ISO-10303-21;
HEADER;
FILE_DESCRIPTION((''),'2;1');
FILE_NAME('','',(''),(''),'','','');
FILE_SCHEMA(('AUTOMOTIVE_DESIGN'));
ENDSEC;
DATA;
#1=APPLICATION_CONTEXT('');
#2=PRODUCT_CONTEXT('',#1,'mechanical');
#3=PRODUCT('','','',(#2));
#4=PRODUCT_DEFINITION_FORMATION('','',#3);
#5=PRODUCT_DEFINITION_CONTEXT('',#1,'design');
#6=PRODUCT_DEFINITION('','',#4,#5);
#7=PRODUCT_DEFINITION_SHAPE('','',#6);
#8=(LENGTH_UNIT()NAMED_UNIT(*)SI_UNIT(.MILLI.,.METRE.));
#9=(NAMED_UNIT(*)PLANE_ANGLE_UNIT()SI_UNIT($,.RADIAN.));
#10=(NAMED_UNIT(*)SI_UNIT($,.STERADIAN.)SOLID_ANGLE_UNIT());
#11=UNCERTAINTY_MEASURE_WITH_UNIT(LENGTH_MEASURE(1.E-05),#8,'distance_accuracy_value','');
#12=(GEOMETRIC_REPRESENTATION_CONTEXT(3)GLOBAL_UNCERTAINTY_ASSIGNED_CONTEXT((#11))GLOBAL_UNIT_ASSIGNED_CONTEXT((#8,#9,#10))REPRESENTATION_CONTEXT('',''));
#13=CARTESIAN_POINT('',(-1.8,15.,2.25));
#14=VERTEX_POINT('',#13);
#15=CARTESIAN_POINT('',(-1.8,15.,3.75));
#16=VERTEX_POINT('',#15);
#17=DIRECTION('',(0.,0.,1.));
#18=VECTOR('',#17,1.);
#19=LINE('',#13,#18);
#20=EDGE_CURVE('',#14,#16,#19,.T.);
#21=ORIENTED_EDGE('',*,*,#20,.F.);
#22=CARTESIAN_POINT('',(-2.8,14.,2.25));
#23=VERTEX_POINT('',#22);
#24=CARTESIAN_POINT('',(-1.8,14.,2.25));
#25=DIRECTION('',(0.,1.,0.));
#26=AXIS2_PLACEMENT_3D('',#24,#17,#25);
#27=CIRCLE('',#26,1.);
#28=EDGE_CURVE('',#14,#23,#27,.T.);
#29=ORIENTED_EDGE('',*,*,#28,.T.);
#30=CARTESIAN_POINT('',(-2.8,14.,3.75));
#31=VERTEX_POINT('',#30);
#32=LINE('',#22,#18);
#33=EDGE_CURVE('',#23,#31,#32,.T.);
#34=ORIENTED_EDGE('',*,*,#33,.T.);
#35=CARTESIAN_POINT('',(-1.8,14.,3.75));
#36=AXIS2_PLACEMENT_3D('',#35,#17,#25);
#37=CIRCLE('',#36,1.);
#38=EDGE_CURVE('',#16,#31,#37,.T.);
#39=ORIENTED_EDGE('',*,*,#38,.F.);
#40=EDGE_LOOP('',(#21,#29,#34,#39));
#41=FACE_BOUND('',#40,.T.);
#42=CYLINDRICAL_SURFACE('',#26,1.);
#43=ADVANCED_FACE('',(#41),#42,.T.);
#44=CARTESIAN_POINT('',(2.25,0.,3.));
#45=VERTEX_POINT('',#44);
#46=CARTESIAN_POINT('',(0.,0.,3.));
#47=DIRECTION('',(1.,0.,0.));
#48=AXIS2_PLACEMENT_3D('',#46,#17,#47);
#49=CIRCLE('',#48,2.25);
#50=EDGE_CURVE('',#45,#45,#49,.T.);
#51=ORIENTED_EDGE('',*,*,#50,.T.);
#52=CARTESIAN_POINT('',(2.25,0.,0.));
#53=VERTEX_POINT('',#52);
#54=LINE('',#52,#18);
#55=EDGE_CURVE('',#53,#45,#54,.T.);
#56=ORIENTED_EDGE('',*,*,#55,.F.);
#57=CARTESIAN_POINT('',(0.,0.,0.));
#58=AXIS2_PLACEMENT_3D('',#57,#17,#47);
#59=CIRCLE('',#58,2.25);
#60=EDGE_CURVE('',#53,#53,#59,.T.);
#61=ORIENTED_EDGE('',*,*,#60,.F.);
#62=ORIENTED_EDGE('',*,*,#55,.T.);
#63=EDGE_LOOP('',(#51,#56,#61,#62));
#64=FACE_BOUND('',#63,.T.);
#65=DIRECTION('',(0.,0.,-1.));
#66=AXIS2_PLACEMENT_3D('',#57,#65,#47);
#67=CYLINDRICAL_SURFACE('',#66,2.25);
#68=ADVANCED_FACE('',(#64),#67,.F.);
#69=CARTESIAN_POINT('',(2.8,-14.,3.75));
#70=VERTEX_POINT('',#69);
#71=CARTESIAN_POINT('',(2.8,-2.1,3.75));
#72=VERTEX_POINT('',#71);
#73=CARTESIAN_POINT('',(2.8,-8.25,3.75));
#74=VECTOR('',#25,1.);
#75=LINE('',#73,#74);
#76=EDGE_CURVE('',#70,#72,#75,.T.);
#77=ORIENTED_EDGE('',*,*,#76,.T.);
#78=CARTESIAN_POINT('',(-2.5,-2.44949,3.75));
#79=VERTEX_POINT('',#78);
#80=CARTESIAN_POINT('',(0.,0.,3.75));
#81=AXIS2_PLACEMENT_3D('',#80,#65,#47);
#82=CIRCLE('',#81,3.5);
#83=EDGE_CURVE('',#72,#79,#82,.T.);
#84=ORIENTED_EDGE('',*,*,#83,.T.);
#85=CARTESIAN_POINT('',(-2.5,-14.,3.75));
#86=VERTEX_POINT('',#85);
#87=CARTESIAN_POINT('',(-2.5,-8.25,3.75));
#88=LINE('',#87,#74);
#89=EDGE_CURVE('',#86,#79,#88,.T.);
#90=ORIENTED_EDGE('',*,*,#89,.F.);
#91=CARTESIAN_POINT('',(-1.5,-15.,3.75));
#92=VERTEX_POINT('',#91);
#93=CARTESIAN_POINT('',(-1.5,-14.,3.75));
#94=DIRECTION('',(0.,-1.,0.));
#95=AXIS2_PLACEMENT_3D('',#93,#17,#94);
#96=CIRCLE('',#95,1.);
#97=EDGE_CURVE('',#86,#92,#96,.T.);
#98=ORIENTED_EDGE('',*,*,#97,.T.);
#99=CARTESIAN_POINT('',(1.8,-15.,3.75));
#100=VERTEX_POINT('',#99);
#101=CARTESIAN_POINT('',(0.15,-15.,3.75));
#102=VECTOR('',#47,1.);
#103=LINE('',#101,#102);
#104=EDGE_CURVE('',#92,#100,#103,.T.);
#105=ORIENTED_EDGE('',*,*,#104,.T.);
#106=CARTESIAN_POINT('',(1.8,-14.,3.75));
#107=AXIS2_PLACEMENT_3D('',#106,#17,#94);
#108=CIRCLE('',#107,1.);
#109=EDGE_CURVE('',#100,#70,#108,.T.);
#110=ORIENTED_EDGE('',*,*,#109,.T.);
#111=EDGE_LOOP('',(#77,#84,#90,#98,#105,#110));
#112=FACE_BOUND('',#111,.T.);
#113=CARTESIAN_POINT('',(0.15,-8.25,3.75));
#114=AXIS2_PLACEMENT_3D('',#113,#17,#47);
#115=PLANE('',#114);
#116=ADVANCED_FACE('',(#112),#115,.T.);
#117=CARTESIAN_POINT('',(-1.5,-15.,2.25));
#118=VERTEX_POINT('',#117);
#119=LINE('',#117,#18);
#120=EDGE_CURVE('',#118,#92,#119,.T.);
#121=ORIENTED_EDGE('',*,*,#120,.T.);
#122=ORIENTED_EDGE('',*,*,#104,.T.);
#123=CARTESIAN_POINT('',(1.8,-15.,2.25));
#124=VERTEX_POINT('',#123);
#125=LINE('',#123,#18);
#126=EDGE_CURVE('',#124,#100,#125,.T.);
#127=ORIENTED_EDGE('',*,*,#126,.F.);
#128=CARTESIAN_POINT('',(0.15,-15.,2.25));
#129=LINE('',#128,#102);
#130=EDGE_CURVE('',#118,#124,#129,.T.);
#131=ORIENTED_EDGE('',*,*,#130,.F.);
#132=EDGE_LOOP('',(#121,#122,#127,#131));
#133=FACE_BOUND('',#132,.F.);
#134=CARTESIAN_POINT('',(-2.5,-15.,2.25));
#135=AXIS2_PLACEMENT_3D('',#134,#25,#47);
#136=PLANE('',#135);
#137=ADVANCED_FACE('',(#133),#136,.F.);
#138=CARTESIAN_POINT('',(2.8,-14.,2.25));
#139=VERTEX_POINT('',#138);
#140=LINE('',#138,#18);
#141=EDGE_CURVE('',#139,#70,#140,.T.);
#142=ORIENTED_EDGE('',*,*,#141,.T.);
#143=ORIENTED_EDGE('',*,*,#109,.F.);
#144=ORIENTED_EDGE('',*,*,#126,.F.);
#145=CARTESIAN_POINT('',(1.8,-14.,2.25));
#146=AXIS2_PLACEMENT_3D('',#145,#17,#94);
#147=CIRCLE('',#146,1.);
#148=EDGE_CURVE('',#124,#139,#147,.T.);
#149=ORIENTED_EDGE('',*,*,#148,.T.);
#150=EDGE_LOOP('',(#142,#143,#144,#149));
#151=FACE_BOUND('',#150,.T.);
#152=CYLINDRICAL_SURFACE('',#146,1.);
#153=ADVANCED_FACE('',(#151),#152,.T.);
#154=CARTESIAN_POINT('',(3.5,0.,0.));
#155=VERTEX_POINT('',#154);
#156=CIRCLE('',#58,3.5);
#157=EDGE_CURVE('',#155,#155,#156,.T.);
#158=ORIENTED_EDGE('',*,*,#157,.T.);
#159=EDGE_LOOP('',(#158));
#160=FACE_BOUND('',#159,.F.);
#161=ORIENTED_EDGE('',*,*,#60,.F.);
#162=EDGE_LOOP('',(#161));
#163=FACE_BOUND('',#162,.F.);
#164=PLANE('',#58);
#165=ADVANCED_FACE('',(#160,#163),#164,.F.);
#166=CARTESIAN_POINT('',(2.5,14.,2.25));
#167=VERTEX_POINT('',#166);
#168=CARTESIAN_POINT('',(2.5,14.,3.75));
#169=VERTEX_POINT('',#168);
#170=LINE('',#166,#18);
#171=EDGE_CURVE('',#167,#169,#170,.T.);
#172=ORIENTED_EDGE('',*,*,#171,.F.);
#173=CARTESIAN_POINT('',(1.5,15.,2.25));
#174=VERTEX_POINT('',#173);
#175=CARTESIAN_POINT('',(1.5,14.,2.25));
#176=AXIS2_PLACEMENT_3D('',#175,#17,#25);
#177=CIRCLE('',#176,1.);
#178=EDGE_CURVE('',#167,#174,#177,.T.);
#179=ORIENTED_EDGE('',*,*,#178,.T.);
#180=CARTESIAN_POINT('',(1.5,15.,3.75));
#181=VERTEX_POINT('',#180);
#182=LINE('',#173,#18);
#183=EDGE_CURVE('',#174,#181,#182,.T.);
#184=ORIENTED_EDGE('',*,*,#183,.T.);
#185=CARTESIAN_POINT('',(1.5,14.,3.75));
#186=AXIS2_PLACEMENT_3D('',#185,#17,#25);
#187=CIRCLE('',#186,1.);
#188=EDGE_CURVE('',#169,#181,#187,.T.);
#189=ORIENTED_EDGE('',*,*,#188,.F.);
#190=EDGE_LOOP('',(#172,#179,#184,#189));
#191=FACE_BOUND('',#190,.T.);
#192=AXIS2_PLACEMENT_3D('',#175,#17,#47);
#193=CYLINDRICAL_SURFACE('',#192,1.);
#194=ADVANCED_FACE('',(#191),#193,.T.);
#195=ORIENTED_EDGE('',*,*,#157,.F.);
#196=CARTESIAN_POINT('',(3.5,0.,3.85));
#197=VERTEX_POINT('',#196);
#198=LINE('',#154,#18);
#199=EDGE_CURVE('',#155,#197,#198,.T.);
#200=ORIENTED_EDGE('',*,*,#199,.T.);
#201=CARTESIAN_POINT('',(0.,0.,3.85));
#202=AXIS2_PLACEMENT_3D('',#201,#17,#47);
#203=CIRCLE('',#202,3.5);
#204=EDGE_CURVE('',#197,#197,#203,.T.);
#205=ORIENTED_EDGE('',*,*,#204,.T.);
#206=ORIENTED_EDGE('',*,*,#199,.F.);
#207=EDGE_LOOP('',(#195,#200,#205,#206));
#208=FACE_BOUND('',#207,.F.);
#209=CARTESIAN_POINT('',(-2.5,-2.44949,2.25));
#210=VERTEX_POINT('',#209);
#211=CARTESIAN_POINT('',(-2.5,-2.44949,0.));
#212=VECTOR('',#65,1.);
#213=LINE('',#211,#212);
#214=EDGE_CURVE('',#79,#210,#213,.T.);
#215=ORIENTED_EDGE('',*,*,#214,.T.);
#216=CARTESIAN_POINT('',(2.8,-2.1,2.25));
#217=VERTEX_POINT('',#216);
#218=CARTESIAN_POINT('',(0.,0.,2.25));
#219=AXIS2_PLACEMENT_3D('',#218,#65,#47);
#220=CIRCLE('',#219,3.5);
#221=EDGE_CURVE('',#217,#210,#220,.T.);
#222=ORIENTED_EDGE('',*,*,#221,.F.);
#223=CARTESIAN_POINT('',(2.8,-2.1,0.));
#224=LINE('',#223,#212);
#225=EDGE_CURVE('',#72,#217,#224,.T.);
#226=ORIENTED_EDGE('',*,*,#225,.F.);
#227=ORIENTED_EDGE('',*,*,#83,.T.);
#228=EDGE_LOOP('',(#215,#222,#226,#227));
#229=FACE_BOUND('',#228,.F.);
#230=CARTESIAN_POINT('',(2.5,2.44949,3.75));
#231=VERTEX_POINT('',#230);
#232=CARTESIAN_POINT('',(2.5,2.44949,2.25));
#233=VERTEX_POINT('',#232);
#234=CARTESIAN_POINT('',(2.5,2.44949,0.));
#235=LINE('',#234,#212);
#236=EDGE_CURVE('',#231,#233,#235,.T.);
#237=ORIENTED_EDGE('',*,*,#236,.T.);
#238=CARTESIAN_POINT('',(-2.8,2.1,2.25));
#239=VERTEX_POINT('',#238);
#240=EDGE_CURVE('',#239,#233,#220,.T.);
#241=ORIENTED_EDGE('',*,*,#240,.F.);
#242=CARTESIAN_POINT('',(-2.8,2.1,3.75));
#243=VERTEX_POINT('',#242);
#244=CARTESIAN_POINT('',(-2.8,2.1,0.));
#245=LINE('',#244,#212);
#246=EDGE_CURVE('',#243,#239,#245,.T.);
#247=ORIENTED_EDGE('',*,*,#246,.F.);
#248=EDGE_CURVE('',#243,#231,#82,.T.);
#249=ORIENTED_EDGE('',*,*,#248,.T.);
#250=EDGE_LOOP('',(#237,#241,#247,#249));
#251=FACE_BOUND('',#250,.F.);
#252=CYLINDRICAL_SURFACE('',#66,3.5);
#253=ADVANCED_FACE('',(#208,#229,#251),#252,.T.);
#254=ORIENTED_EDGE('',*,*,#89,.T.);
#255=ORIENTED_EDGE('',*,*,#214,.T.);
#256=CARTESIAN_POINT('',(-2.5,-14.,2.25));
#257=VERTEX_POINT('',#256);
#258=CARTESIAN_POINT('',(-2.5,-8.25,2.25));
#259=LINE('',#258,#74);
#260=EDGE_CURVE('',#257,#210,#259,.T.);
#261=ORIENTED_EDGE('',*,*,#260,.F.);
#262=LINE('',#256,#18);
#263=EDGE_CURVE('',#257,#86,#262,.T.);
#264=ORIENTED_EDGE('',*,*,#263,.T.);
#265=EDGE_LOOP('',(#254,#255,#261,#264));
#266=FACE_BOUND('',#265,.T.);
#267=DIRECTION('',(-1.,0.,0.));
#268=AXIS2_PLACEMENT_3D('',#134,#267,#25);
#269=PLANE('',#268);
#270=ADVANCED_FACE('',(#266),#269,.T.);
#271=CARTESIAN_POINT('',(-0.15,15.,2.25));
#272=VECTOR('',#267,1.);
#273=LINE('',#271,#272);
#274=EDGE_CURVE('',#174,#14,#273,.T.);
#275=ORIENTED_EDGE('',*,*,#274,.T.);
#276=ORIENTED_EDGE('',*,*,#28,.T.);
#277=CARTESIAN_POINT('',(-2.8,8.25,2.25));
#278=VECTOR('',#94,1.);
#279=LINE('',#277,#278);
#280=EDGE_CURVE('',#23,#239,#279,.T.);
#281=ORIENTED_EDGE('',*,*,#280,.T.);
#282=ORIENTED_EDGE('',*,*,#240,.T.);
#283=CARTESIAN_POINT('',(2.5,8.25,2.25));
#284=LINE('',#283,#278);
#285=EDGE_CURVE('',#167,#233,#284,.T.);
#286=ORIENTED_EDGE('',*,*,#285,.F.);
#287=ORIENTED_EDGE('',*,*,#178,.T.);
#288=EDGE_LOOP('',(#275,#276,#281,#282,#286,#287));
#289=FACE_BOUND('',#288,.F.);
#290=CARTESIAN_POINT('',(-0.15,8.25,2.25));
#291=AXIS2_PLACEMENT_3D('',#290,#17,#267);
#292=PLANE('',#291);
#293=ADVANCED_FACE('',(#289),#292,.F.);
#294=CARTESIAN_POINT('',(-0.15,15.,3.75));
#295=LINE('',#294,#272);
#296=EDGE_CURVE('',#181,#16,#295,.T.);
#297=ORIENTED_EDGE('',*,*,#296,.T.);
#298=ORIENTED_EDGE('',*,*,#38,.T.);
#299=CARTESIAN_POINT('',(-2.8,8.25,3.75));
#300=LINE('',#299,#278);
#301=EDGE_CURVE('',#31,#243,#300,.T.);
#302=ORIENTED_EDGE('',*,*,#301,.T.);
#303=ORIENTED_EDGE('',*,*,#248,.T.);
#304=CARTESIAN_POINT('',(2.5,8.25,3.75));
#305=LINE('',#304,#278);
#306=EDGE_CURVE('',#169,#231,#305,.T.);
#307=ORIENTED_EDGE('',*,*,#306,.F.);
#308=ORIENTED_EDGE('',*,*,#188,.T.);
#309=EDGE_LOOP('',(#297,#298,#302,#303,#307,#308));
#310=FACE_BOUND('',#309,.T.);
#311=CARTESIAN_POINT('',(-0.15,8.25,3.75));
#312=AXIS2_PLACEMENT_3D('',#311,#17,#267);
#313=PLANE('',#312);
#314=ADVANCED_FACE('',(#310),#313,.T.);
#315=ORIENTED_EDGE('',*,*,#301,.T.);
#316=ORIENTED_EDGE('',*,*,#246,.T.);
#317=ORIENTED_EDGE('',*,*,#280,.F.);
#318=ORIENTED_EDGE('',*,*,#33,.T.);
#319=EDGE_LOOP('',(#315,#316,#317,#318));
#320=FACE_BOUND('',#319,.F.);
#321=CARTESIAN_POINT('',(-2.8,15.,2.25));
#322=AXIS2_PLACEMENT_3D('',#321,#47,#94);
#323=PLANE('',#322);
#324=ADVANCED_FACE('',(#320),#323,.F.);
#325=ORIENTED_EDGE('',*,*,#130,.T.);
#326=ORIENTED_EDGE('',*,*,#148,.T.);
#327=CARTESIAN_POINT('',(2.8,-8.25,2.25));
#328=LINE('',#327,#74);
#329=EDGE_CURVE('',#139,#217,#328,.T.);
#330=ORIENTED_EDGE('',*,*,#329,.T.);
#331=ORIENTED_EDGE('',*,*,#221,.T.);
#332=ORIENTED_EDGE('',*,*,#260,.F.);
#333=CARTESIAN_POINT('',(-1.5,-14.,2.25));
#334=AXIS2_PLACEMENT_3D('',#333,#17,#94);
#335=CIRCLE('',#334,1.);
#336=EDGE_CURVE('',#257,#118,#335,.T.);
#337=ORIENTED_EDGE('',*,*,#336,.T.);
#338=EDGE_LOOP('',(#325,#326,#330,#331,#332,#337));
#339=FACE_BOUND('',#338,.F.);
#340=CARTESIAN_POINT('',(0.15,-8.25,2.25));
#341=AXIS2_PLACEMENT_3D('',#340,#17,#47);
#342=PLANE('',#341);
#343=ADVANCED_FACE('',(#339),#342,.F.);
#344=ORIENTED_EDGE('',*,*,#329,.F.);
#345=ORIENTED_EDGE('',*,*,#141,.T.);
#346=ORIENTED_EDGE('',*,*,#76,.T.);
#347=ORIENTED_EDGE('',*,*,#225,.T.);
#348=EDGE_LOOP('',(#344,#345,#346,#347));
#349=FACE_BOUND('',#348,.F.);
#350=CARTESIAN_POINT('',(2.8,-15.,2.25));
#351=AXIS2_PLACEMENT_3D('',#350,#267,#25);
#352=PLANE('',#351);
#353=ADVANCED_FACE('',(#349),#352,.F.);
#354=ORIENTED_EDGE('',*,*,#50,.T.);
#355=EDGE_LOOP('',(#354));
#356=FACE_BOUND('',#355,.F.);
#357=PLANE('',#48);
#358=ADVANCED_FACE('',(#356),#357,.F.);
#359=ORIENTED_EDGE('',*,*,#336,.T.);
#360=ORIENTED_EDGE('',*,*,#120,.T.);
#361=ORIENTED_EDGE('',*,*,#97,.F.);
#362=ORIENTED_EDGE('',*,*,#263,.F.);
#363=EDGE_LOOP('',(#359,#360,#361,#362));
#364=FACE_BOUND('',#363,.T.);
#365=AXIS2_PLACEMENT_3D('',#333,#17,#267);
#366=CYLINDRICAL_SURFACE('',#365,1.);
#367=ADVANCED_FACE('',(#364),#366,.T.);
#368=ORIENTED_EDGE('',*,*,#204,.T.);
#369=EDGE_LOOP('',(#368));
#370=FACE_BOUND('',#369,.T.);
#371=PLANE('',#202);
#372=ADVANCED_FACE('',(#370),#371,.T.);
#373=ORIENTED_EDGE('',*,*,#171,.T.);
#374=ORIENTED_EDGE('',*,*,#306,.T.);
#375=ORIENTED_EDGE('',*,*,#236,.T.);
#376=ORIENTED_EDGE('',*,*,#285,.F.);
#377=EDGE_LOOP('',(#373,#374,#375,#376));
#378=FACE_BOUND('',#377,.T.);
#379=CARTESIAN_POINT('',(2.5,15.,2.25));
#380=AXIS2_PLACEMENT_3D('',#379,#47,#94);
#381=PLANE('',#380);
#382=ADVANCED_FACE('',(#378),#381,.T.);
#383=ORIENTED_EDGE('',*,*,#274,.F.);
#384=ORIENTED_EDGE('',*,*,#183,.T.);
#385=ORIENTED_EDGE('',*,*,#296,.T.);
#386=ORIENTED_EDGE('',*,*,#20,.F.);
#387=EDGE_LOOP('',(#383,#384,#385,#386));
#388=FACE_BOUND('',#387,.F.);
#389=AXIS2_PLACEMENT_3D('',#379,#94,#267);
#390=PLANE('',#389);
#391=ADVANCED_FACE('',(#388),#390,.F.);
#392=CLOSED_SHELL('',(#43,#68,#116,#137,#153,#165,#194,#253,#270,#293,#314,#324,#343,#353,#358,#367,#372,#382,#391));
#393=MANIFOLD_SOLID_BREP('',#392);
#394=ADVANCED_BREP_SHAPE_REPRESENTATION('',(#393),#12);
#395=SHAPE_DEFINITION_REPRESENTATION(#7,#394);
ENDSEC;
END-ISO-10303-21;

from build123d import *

# Parameters (mm, degrees)
CYLINDER008_R             = 2.25
CYLINDER008_DEPTH         = 3
BOX003_W                  = 5.3
BOX003_H                  = 13.5
BOX003_DEPTH              = 1.5
FILLET002_R               = 1
FILLET002_PLACEMENT_ANGLE = 180
BOX002_W                  = 5.3
BOX002_H                  = 13.5
BOX002_DEPTH              = 1.5
FILLET001_R               = 1
CYLINDER007_R             = 3.5
CYLINDER007_DEPTH         = 3.85


with BuildPart() as cylinder008:
    # Cylinder008 → Cylinder008 (new body)
    with BuildSketch(Plane.XY):
        Circle(CYLINDER008_R)
    extrude(amount=CYLINDER008_DEPTH)


with BuildPart() as fillet002:
    # Box003 → Box003 (new body)
    with BuildSketch(Plane(origin=(-2.5, -15, 2.25), x_dir=(1, 0, 0), z_dir=(0, 0, 1))):
        with Locations((2.65, 6.75)):
            Rectangle(BOX003_W, BOX003_H)
    extrude(amount=BOX003_DEPTH)

    # Fillet002
    fillet002_edges = [fillet002.edges().sort_by_distance(p)[0] for p in [
        (-2.5, -15, 3),
        (2.8, -15, 3),
    ]]
    fillet(fillet002_edges, radius=FILLET002_R)


with BuildPart() as fillet002_1:
    # Fillet002 placement: moved
    add(fillet002.part.rotate(Axis((0, 0, 0), (0, 0, 1)), FILLET002_PLACEMENT_ANGLE))


with BuildPart() as fillet001:
    # Box002 → Box002 (new body)
    with BuildSketch(Plane(origin=(-2.5, -15, 2.25), x_dir=(1, 0, 0), z_dir=(0, 0, 1))):
        with Locations((2.65, 6.75)):
            Rectangle(BOX002_W, BOX002_H)
    extrude(amount=BOX002_DEPTH)

    # Fillet001
    fillet001_edges = [fillet001.edges().sort_by_distance(p)[0] for p in [
        (-2.5, -15, 3),
        (2.8, -15, 3),
    ]]
    fillet(fillet001_edges, radius=FILLET001_R)


with BuildPart() as servoarmdouble:
    # Cylinder007 → Cylinder007 (new body)
    with BuildSketch(Plane.XY):
        Circle(CYLINDER007_R)
    extrude(amount=CYLINDER007_DEPTH)

    # Fusion004: union Fillet002, Fillet001
    add(fillet002_1.part)
    add(fillet001.part)

    # Cut002: cut Cylinder008
    add(cylinder008.part, mode=Mode.SUBTRACT)


solid = servoarmdouble.part
